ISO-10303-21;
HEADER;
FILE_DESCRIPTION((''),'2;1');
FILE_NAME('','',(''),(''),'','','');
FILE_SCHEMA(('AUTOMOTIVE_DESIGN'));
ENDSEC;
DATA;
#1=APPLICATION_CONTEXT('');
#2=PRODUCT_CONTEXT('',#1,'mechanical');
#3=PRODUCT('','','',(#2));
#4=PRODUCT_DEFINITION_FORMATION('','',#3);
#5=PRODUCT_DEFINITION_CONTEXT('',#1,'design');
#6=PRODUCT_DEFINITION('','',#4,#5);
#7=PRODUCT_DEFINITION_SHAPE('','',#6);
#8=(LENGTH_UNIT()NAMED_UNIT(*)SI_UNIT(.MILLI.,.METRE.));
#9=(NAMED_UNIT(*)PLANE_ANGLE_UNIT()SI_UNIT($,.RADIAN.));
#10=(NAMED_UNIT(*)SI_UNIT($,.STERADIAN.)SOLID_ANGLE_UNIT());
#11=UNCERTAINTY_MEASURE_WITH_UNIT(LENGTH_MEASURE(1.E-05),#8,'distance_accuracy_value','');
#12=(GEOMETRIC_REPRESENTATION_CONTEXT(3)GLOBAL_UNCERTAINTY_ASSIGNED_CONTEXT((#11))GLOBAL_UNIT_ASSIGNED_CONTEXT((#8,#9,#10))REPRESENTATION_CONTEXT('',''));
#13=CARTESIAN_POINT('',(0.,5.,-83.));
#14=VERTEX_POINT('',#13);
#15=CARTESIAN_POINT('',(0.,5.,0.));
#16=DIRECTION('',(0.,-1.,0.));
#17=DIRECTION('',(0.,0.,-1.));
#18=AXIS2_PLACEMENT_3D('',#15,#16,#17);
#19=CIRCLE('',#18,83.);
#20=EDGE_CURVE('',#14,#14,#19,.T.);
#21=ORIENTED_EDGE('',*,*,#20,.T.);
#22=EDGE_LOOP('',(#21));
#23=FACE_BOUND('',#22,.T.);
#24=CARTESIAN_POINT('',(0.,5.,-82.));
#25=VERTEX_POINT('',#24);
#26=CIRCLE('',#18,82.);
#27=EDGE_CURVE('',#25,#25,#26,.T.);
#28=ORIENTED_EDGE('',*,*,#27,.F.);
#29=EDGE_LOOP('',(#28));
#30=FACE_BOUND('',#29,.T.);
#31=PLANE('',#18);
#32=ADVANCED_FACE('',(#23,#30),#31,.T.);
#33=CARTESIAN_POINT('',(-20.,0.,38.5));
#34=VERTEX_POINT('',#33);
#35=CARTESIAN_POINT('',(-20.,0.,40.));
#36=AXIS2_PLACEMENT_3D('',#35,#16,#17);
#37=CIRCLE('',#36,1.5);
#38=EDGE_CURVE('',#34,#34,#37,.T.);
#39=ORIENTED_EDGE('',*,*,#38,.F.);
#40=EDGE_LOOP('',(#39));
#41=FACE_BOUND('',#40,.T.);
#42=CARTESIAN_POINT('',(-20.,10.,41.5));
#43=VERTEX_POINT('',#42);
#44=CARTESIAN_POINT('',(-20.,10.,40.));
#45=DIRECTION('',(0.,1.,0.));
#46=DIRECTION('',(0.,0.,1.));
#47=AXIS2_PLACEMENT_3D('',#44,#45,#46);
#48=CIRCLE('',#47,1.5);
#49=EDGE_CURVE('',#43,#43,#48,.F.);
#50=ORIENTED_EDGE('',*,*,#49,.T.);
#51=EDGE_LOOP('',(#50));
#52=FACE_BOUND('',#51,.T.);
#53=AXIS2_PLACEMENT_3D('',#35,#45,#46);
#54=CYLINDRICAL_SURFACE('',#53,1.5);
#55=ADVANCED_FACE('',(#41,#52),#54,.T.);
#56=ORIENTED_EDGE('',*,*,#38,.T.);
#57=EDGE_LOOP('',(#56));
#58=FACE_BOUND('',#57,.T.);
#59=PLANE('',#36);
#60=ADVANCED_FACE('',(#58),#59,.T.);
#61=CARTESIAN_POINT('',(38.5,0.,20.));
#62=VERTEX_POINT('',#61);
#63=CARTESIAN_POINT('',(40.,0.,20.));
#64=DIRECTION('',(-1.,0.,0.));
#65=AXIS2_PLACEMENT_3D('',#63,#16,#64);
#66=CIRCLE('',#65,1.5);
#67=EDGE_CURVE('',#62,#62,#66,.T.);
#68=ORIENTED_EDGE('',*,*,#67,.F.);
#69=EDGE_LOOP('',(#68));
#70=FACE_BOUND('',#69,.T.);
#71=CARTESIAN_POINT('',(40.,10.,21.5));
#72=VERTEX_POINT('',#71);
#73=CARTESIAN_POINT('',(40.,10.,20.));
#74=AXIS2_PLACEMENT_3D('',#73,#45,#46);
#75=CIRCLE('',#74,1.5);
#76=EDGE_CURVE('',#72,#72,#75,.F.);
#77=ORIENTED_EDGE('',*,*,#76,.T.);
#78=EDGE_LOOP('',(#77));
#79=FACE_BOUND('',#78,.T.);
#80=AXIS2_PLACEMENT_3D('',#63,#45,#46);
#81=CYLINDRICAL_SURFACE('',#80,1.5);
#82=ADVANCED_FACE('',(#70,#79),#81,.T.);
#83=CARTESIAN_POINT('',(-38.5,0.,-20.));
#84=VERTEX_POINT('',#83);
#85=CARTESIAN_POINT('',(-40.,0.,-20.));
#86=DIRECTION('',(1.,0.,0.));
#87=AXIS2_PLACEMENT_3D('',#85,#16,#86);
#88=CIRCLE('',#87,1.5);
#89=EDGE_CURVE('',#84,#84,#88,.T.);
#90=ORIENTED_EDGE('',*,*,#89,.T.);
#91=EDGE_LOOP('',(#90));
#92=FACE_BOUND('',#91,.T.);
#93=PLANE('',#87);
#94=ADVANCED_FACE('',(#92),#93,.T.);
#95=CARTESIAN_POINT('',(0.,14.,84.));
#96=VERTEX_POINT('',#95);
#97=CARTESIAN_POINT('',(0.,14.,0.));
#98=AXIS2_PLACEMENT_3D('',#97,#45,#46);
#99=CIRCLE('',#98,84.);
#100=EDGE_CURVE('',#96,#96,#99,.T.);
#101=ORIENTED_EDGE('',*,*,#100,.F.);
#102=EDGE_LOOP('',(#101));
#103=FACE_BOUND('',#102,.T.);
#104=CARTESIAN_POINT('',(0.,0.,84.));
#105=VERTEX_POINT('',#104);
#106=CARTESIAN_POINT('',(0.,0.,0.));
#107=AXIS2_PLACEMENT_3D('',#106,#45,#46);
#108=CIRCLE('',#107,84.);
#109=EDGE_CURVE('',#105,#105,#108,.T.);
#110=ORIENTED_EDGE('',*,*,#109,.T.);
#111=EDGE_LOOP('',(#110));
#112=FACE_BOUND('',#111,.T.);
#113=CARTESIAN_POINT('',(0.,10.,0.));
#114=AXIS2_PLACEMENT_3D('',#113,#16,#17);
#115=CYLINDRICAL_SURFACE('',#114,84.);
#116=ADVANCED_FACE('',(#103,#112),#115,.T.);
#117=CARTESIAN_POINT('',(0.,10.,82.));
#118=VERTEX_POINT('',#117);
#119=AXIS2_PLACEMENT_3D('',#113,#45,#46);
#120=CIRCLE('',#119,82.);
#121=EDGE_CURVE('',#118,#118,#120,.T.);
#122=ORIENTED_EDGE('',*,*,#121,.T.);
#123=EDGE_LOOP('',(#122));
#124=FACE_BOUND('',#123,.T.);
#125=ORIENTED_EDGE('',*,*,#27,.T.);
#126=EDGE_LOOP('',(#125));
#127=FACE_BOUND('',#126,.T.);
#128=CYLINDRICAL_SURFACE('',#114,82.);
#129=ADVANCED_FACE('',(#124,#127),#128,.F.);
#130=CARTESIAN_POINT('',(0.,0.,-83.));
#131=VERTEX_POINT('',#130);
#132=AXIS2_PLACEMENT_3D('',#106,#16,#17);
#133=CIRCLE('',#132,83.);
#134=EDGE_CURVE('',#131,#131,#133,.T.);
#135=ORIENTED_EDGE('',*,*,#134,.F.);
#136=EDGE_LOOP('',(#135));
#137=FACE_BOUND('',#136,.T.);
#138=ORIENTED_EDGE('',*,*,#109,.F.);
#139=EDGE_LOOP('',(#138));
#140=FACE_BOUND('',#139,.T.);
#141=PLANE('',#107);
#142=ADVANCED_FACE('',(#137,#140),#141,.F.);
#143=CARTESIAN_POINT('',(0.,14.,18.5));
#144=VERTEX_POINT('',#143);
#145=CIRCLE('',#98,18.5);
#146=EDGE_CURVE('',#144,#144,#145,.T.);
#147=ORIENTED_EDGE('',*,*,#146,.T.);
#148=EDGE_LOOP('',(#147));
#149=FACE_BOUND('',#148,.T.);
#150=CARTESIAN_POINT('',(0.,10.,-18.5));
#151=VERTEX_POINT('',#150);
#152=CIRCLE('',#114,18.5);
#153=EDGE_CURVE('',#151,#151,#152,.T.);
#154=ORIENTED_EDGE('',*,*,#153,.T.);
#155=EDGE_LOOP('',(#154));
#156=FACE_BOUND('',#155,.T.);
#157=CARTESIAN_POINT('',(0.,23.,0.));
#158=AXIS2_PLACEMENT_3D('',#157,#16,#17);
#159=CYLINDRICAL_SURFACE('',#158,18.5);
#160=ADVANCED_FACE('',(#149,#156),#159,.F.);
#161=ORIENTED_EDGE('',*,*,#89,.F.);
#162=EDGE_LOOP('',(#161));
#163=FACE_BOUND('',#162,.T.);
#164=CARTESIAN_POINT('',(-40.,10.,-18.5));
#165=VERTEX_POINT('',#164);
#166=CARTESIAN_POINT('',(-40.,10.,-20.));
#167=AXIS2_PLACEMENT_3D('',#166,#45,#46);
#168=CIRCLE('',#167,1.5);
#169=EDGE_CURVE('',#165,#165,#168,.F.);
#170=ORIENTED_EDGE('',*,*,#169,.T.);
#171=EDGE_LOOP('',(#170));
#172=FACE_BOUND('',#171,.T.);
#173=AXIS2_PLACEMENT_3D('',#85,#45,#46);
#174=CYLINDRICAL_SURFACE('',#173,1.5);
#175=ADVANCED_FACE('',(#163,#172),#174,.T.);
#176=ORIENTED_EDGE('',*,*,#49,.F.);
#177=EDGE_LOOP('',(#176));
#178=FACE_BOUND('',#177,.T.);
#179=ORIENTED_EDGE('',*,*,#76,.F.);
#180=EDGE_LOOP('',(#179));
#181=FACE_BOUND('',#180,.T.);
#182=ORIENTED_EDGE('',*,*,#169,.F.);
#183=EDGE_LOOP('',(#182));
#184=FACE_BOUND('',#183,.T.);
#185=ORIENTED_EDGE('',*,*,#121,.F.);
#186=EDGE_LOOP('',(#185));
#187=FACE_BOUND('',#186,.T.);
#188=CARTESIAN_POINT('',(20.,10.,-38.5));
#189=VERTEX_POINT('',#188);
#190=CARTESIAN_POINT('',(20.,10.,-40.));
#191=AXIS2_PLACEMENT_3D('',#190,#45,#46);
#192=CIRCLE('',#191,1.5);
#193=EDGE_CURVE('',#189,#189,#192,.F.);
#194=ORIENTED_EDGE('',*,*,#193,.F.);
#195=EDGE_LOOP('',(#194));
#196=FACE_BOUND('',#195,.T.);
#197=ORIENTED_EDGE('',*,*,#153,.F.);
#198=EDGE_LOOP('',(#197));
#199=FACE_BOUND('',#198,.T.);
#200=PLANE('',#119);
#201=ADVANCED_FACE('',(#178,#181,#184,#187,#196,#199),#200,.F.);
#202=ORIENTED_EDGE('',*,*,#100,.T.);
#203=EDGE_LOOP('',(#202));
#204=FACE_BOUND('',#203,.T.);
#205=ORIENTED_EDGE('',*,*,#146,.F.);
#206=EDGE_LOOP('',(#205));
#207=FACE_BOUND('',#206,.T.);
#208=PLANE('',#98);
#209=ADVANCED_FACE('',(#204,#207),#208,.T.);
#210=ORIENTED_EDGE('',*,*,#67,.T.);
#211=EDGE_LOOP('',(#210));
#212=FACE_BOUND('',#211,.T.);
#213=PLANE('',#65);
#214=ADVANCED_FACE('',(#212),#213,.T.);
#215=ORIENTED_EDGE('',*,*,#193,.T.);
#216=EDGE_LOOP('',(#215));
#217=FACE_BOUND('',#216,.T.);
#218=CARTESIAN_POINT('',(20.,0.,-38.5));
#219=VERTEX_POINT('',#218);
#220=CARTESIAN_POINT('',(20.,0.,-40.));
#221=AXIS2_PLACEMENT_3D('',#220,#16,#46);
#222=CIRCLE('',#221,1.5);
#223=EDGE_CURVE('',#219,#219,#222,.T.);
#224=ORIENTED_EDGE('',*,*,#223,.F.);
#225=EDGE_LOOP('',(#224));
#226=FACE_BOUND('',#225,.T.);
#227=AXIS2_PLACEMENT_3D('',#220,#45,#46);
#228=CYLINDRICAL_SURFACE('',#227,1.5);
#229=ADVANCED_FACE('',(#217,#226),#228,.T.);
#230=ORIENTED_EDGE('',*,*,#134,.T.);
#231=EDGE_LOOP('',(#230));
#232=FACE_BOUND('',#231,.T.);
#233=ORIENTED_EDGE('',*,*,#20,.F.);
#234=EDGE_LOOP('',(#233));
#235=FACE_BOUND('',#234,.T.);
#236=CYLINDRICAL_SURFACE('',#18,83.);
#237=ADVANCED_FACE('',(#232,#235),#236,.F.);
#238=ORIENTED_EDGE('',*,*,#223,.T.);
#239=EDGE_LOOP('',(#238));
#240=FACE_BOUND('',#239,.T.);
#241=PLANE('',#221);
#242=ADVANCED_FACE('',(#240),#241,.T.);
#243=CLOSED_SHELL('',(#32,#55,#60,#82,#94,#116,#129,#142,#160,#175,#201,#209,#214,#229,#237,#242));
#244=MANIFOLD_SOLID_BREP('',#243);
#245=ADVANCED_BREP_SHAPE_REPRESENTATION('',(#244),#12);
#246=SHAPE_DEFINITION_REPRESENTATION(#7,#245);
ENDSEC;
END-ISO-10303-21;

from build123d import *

# Parameters (mm, degrees)
CROQUIS1_R              = 84
CROQUIS1_R_2            = 82
SALIENTE_EXTRUIR1_DEPTH = 10
CROQUIS2_R              = 84
SALIENTE_EXTRUIR2_DEPTH = 4
CROQUIS3_R              = 1.5
SALIENTE_EXTRUIR3_DEPTH = 10
MATRIZC1_COUNT          = 4
CROQUIS15_R             = 83
CROQUIS15_R_2           = 82
CORTAR_EXTRUIR1_DEPTH   = 5
CROQUIS16_R             = 18.5
CORTAR_EXTRUIR2_DEPTH   = 13


with BuildPart() as part:
    # Croquis1 → Saliente-Extruir1 (new body)
    with BuildSketch(Plane(origin=(0, 0, 0), x_dir=(1, 0, 0), z_dir=(0, 1, 0))):
        Circle(CROQUIS1_R)
        Circle(CROQUIS1_R_2, mode=Mode.SUBTRACT)
    extrude(amount=SALIENTE_EXTRUIR1_DEPTH)

    # Croquis2 → Saliente-Extruir2 (add)
    with BuildSketch(Plane(origin=(0, 10, 0), x_dir=(1, 0, 0), z_dir=(0, 1, 0))):
        Circle(CROQUIS2_R)
    extrude(amount=SALIENTE_EXTRUIR2_DEPTH)

    # Croquis3 → Saliente-Extruir3 (add)
    with BuildSketch(Plane.XZ.offset(-10)):
        with Locations((-20, 40)):
            Circle(CROQUIS3_R)
    saliente_extruir3 = extrude(amount=SALIENTE_EXTRUIR3_DEPTH)

    # MatrizC1: Saliente-Extruir3 ×4 about axis
    matrizc1_axis = Axis((0, -0.7, 0), (0, 1, 0))
    for i in range(1, MATRIZC1_COUNT):
        add(saliente_extruir3.rotate(matrizc1_axis, i * 360 / MATRIZC1_COUNT))

    # Croquis15 → Cortar-Extruir1 (cut)
    with BuildSketch(Plane.XZ):
        Circle(CROQUIS15_R)
        Circle(CROQUIS15_R_2, mode=Mode.SUBTRACT)
    extrude(amount=-CORTAR_EXTRUIR1_DEPTH, mode=Mode.SUBTRACT)

    # Croquis16 → Cortar-Extruir2 (cut)
    with BuildSketch(Plane.XZ.offset(-10)):
        Circle(CROQUIS16_R)
    extrude(amount=-CORTAR_EXTRUIR2_DEPTH, mode=Mode.SUBTRACT)


solid = part.part
